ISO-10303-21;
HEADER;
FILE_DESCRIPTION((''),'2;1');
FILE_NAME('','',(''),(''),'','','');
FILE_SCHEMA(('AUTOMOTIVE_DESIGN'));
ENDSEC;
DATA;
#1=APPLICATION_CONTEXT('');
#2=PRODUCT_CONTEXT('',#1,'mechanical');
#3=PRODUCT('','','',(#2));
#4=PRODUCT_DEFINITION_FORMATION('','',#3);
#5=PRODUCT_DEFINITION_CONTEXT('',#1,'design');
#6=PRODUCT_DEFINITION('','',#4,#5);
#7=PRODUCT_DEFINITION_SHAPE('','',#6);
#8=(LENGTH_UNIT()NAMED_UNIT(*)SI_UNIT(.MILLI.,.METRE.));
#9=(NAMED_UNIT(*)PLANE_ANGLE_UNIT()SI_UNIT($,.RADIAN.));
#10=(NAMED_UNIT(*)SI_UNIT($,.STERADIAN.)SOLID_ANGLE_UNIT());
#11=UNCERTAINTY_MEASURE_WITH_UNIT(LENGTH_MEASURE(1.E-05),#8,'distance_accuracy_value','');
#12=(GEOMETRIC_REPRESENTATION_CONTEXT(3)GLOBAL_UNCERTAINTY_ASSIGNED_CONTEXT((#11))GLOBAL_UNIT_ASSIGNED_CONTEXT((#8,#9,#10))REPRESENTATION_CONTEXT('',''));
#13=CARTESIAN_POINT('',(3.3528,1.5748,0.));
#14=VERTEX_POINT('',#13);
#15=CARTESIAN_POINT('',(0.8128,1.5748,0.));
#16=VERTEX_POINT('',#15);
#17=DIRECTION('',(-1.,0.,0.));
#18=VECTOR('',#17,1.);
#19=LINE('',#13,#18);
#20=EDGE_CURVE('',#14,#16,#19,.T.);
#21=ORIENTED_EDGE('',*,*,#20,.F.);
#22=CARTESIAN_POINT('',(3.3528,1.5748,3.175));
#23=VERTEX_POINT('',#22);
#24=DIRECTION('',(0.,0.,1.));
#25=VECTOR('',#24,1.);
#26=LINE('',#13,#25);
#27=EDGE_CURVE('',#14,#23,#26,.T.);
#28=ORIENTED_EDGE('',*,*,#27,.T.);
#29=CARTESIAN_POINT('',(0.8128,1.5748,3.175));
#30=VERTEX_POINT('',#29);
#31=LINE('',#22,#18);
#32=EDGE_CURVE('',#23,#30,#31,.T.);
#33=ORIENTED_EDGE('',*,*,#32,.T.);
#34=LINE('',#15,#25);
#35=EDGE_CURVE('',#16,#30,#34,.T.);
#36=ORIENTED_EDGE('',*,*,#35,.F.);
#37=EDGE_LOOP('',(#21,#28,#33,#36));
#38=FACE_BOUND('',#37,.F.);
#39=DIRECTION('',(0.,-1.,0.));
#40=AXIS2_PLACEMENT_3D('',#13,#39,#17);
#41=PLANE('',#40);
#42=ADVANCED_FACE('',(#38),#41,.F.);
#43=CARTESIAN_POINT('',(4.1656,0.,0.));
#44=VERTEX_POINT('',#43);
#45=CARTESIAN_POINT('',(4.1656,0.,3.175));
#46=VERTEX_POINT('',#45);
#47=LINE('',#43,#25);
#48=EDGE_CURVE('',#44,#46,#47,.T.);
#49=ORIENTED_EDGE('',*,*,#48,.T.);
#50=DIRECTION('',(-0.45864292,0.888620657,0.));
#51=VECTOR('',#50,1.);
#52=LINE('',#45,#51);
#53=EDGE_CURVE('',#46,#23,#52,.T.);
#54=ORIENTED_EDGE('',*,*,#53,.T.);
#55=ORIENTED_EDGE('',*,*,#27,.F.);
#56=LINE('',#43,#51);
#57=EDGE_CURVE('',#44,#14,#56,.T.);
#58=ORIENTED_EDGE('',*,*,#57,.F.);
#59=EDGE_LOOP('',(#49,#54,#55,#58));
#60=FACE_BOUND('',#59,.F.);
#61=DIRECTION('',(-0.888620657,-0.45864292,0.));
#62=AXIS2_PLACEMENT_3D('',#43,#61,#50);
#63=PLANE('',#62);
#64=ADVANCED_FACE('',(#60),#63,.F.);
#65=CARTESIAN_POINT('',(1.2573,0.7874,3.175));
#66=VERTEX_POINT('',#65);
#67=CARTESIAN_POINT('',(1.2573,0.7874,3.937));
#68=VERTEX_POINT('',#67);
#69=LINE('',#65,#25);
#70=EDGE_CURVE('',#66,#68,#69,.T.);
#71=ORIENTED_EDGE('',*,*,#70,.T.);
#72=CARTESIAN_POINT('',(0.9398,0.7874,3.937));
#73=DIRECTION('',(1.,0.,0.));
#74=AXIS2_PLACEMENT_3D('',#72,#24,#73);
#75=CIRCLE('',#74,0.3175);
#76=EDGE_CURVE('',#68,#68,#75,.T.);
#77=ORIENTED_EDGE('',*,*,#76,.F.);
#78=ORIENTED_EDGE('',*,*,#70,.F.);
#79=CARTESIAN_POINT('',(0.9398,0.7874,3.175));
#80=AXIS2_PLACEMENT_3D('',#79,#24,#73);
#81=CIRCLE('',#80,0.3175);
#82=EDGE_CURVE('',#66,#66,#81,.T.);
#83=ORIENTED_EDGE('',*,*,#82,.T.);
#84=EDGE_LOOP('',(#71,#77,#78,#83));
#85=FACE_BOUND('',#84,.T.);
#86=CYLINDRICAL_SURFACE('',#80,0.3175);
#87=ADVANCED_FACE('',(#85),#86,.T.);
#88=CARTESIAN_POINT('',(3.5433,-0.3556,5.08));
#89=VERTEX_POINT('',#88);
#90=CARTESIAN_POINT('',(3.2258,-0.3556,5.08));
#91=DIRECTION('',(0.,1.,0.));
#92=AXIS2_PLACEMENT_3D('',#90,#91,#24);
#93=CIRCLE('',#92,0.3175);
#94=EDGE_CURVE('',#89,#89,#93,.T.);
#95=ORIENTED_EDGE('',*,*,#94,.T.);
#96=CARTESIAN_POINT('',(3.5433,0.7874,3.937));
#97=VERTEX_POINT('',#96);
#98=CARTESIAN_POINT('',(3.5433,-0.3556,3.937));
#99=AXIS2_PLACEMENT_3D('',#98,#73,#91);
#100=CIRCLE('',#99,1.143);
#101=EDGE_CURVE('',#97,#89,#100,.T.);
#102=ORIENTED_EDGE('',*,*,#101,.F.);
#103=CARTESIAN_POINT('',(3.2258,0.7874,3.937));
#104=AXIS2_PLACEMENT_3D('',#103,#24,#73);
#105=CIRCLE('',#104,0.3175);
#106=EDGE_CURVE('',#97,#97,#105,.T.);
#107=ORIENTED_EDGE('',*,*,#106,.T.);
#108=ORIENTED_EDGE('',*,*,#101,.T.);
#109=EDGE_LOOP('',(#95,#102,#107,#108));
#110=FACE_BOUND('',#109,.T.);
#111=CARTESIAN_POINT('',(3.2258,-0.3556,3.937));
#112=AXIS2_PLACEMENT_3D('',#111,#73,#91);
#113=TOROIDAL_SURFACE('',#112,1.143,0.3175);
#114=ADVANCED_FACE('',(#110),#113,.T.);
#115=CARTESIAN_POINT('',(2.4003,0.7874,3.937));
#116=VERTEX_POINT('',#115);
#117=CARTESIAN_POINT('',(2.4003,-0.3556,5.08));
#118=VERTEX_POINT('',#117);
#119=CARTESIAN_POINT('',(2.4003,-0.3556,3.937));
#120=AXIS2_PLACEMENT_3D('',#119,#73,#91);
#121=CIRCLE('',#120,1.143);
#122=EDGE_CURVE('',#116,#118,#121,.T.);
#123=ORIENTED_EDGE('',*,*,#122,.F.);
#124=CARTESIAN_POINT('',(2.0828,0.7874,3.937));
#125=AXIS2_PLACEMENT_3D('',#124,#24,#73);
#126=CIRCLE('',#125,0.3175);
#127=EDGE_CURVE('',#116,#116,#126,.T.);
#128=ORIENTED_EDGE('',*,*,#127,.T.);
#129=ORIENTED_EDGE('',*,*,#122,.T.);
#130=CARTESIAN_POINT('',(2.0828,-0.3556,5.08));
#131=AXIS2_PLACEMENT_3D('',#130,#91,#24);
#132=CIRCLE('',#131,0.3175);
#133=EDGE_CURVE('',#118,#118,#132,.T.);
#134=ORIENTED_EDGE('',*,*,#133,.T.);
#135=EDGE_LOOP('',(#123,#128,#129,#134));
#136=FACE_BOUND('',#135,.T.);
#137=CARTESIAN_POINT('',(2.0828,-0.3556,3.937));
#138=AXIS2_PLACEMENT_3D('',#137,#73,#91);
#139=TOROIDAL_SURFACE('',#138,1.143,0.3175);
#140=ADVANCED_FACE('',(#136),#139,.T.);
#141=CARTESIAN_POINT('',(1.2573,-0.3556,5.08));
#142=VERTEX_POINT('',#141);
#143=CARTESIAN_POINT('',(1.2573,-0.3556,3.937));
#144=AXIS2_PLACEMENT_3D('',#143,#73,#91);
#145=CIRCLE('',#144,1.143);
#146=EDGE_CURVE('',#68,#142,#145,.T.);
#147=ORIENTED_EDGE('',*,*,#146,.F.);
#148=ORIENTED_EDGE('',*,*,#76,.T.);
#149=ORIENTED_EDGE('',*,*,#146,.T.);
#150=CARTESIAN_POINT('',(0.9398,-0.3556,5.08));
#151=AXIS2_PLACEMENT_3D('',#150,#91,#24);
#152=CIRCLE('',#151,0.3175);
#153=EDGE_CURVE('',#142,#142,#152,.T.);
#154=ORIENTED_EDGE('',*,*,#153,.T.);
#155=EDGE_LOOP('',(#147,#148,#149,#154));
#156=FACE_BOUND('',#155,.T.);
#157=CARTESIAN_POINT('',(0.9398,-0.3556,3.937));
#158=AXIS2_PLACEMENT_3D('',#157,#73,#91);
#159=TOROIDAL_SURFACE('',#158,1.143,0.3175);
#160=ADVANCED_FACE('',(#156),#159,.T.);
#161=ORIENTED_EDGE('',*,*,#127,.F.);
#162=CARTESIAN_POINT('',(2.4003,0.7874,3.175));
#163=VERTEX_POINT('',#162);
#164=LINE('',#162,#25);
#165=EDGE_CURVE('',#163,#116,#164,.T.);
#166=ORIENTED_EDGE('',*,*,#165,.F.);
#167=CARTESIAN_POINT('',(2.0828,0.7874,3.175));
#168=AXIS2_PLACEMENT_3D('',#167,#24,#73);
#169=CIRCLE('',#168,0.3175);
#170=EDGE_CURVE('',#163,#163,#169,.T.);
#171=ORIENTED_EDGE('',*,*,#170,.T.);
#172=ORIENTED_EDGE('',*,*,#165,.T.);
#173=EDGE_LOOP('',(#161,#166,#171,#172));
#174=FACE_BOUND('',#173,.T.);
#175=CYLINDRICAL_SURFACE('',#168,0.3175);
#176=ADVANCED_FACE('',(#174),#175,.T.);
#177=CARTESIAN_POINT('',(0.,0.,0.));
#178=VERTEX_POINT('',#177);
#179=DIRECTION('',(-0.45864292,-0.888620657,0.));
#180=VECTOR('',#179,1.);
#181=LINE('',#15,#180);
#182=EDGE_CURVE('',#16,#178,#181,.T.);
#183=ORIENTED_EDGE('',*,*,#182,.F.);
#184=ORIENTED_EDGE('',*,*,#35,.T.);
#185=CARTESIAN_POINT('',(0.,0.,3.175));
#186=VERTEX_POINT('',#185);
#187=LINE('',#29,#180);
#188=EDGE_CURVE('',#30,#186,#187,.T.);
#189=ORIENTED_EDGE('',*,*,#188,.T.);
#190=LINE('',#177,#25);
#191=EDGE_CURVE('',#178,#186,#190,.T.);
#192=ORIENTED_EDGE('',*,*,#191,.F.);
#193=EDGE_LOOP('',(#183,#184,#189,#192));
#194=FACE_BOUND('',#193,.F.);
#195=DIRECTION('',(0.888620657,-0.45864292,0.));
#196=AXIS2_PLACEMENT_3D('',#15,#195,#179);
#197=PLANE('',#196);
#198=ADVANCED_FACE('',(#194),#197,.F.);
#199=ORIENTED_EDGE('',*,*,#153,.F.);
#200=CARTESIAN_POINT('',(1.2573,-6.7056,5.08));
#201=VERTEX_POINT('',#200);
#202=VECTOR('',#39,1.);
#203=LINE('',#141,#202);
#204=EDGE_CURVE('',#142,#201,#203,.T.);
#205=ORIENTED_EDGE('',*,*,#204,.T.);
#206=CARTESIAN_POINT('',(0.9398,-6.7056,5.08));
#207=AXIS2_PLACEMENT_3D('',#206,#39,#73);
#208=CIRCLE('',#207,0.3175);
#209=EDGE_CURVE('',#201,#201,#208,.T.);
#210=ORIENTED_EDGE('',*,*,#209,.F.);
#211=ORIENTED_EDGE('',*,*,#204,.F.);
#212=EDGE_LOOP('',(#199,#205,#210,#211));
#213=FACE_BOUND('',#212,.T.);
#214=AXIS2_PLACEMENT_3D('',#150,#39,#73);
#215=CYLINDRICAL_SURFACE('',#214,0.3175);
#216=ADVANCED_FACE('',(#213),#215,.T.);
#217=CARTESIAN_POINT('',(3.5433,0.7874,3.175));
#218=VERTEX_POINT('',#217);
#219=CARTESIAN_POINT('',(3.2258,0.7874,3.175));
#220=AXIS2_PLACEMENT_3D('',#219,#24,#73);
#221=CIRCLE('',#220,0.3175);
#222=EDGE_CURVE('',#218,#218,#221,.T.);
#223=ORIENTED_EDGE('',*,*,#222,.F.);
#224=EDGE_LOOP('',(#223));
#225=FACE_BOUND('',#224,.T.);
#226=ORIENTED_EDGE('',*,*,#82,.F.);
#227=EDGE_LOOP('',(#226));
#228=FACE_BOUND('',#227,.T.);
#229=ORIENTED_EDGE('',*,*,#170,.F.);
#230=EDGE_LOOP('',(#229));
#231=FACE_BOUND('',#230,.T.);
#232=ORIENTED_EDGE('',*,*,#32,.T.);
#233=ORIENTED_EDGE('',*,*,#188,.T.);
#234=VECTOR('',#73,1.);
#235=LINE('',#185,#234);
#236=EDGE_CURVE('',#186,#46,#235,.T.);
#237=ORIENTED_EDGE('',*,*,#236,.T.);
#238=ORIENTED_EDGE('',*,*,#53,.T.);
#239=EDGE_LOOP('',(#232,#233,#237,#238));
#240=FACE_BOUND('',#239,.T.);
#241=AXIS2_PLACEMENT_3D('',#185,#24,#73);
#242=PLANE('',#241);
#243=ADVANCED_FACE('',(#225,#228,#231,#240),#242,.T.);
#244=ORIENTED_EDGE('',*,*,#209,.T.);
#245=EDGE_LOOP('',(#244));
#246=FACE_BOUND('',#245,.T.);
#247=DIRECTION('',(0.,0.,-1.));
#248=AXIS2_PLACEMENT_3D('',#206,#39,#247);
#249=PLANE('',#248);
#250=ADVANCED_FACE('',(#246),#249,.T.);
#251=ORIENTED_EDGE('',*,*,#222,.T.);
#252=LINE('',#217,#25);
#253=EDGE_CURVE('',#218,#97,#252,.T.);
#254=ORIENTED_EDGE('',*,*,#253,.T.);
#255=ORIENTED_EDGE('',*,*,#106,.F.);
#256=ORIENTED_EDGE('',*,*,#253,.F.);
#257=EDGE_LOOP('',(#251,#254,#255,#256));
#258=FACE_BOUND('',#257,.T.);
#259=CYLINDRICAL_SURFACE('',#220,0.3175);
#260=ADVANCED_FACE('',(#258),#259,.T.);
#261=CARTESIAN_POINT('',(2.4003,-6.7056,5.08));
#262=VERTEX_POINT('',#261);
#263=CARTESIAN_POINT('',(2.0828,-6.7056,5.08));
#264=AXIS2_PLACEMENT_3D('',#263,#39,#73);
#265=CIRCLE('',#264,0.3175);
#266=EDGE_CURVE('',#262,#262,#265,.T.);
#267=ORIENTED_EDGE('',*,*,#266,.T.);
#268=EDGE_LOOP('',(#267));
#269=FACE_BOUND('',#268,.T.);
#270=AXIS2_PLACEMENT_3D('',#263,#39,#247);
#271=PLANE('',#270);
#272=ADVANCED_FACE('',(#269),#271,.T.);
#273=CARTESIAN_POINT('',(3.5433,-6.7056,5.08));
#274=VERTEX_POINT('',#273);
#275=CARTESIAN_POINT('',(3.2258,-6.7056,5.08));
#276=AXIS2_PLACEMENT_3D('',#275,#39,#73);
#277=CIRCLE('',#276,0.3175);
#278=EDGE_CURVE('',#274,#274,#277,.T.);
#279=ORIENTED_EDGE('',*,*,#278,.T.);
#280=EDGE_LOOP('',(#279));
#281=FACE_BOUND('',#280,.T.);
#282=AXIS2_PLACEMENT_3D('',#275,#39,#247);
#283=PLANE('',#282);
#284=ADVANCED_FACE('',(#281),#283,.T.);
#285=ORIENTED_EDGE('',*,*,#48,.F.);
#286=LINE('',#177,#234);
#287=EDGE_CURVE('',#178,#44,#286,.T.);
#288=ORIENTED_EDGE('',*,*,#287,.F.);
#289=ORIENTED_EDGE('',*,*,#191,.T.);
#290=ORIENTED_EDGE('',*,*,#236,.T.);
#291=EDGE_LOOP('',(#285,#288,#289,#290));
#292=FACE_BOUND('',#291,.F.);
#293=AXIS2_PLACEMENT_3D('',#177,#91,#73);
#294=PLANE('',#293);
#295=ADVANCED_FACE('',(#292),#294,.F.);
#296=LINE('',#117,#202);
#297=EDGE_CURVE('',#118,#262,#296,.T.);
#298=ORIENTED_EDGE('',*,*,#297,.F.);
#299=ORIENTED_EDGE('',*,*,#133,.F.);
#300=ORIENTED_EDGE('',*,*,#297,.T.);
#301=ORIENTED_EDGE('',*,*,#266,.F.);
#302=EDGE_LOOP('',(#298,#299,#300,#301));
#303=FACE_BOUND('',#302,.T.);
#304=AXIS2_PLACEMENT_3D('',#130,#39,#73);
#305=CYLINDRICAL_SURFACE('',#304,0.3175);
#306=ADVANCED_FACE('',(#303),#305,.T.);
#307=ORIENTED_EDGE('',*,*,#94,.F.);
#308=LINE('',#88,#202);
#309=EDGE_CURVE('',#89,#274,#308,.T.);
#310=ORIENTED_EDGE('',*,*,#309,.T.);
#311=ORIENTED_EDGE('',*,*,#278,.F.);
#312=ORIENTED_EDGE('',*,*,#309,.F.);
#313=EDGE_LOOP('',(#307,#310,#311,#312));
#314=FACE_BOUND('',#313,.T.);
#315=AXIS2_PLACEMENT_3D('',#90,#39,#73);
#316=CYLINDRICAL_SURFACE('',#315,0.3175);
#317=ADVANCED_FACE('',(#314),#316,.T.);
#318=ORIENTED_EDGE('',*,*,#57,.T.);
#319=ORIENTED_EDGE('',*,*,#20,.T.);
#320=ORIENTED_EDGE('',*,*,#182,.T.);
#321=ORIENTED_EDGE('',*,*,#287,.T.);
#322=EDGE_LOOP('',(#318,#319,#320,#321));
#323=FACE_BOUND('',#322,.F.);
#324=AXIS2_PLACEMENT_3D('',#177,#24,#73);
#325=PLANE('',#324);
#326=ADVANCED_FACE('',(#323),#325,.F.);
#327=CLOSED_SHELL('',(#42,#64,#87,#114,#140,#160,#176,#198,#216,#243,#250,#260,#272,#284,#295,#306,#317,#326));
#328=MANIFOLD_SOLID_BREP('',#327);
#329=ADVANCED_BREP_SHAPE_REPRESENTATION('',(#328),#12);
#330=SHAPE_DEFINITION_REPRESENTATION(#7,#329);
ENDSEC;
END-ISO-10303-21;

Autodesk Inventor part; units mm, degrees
ref_plane "YZ Plane" through (0, 0, 0) normal (1, 0, 0) x (0, 1, 0)
ref_plane "XZ Plane" through (0, 0, 0) normal (0, 1, 0) x (-1, 0, 0)
ref_plane "XY Plane" through (0, 0, 0) normal (0, 0, 1) x (1, 0, 0)
sketch "Sketch1" plane through (0, 0, 0) normal (0, 0, 1) x (1, 0, 0)
  line L0 (0, 0) -> (4.1656, 0)
  line L1 (4.1656, 0) -> (3.3528, 1.5748)
  line L2 (3.3528, 1.5748) -> (0.8128, 1.5748)
  line L3 (0.8128, 1.5748) -> (0, 0)
  dimension "d0" = 4.1656
  dimension "d1" = 2.54
  dimension "d2" = 1.5748
extrude "Extrusion1" add sketch "Sketch1" along normal blind 3.175
sketch "Sketch2" plane through (0, 0, 3.175) normal (0, 0, 1) x (1, 0, 0)
  line L0 (0.8128, 1.5748) -> (0, 0) construction
  line L1 (0.4064, 0.7874) -> (3.7592, 0.7874) construction
  line L2 (4.1656, 0) -> (3.3528, 1.5748) construction
  circle A0 centre (2.0828, 0.7874) radius 0.3175
  circle A1 centre (3.2258, 0.7874) radius 0.3175
  circle A2 centre (0.9398, 0.7874) radius 0.3175
  dimension "d5" = 0.635
  dimension "d6" = 0.635
  dimension "d7" = 0.635
  dimension "d8" = 1.143
  dimension "d9" = 1.143
sketch "Sketch3" plane through (0, 0, 0) normal (1, 0, 0) x (0, 1, 0)
  line L0 (0.7874, 3.175) -> (0.7874, 3.937)
  arc A0 (0.7874, 3.937) -> (-0.3556, 5.08) centre (-0.3556, 3.937) ccw
  line L1 (-0.3556, 5.08) -> (-6.7056, 5.08)
  point P0 (0, 0)
  dimension "d12" = 1.143
  dimension "d13" = 6.35
  dimension "d14" = 0.762
sweep "Sweep1" add profiles "Sketch2" path "Sketch3"
equation "\"d9\" = d8"
properties part number "HallEffectSensorBentPins" material "ABS Plastic"
